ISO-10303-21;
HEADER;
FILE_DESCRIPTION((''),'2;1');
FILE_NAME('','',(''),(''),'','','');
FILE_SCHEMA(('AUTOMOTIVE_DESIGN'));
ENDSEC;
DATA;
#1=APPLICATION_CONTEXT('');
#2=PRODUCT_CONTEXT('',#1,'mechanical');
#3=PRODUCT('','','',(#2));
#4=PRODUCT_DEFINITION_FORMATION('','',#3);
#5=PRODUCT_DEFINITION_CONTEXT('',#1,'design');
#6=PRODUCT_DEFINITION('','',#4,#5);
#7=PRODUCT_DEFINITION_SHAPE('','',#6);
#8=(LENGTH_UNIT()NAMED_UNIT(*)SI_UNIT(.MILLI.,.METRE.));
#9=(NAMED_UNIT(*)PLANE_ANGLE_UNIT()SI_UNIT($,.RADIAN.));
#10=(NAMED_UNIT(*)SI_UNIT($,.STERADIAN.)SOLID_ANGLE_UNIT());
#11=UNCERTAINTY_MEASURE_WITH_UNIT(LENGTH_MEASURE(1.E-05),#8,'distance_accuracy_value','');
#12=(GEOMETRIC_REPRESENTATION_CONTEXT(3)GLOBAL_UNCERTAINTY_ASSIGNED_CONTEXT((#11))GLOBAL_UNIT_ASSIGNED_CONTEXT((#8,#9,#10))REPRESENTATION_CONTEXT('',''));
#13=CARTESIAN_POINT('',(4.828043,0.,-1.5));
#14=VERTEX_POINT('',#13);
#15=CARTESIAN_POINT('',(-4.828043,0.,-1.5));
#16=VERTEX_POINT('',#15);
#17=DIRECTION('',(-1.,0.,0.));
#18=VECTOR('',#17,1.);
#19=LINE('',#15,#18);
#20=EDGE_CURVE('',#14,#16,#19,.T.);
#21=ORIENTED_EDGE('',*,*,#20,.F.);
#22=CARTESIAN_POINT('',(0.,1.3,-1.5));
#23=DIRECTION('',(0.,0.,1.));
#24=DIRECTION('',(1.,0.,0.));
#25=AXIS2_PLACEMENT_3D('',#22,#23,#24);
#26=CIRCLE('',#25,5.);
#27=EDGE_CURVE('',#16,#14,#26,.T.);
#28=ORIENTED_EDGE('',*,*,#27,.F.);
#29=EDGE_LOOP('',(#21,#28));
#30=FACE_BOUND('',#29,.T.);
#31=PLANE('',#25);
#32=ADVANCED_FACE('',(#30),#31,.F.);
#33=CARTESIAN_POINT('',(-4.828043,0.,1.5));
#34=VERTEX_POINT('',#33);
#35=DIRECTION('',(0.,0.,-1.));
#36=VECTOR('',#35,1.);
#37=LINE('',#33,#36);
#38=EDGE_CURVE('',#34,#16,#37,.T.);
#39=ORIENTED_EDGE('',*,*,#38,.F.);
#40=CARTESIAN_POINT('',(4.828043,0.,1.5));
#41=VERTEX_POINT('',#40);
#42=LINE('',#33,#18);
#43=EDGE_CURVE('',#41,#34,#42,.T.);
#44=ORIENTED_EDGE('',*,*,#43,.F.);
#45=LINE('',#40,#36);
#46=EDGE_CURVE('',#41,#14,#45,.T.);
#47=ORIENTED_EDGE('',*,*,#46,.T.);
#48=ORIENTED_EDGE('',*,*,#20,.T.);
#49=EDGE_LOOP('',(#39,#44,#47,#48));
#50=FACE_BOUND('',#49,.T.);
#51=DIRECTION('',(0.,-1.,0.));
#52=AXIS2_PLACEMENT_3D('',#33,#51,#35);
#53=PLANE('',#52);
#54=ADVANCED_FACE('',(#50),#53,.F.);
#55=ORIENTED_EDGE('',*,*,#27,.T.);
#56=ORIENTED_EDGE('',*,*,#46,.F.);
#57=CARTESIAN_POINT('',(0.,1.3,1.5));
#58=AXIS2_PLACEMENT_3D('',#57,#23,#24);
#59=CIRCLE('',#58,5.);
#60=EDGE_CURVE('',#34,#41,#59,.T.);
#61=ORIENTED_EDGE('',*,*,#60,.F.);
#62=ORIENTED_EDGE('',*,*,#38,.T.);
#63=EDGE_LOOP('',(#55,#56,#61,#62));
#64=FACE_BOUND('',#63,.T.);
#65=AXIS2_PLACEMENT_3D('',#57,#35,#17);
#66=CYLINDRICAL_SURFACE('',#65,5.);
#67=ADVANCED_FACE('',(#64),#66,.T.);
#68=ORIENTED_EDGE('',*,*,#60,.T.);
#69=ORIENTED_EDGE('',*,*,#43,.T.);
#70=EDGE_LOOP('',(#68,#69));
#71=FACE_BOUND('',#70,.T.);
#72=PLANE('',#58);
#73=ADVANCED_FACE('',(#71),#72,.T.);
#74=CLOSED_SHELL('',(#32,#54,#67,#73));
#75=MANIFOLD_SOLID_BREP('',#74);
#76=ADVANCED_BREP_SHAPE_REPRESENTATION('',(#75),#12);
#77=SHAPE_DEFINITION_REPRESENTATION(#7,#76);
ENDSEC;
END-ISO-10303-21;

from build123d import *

# Parameters (mm, degrees)
VYSUNOUT1_DEPTH = 1.5


with BuildPart() as part:
    # Skica1 → Vysunout1 (new, symmetric)
    with BuildSketch(Plane.XY):
        with BuildLine():
            Line((-4.828043082, 0), (4.828043082, 0))
            ThreePointArc((4.828043082, 0), (0, -3.7), (-4.828043082, 0))
        make_face()
    extrude(amount=VYSUNOUT1_DEPTH, both=True)


solid = part.part
